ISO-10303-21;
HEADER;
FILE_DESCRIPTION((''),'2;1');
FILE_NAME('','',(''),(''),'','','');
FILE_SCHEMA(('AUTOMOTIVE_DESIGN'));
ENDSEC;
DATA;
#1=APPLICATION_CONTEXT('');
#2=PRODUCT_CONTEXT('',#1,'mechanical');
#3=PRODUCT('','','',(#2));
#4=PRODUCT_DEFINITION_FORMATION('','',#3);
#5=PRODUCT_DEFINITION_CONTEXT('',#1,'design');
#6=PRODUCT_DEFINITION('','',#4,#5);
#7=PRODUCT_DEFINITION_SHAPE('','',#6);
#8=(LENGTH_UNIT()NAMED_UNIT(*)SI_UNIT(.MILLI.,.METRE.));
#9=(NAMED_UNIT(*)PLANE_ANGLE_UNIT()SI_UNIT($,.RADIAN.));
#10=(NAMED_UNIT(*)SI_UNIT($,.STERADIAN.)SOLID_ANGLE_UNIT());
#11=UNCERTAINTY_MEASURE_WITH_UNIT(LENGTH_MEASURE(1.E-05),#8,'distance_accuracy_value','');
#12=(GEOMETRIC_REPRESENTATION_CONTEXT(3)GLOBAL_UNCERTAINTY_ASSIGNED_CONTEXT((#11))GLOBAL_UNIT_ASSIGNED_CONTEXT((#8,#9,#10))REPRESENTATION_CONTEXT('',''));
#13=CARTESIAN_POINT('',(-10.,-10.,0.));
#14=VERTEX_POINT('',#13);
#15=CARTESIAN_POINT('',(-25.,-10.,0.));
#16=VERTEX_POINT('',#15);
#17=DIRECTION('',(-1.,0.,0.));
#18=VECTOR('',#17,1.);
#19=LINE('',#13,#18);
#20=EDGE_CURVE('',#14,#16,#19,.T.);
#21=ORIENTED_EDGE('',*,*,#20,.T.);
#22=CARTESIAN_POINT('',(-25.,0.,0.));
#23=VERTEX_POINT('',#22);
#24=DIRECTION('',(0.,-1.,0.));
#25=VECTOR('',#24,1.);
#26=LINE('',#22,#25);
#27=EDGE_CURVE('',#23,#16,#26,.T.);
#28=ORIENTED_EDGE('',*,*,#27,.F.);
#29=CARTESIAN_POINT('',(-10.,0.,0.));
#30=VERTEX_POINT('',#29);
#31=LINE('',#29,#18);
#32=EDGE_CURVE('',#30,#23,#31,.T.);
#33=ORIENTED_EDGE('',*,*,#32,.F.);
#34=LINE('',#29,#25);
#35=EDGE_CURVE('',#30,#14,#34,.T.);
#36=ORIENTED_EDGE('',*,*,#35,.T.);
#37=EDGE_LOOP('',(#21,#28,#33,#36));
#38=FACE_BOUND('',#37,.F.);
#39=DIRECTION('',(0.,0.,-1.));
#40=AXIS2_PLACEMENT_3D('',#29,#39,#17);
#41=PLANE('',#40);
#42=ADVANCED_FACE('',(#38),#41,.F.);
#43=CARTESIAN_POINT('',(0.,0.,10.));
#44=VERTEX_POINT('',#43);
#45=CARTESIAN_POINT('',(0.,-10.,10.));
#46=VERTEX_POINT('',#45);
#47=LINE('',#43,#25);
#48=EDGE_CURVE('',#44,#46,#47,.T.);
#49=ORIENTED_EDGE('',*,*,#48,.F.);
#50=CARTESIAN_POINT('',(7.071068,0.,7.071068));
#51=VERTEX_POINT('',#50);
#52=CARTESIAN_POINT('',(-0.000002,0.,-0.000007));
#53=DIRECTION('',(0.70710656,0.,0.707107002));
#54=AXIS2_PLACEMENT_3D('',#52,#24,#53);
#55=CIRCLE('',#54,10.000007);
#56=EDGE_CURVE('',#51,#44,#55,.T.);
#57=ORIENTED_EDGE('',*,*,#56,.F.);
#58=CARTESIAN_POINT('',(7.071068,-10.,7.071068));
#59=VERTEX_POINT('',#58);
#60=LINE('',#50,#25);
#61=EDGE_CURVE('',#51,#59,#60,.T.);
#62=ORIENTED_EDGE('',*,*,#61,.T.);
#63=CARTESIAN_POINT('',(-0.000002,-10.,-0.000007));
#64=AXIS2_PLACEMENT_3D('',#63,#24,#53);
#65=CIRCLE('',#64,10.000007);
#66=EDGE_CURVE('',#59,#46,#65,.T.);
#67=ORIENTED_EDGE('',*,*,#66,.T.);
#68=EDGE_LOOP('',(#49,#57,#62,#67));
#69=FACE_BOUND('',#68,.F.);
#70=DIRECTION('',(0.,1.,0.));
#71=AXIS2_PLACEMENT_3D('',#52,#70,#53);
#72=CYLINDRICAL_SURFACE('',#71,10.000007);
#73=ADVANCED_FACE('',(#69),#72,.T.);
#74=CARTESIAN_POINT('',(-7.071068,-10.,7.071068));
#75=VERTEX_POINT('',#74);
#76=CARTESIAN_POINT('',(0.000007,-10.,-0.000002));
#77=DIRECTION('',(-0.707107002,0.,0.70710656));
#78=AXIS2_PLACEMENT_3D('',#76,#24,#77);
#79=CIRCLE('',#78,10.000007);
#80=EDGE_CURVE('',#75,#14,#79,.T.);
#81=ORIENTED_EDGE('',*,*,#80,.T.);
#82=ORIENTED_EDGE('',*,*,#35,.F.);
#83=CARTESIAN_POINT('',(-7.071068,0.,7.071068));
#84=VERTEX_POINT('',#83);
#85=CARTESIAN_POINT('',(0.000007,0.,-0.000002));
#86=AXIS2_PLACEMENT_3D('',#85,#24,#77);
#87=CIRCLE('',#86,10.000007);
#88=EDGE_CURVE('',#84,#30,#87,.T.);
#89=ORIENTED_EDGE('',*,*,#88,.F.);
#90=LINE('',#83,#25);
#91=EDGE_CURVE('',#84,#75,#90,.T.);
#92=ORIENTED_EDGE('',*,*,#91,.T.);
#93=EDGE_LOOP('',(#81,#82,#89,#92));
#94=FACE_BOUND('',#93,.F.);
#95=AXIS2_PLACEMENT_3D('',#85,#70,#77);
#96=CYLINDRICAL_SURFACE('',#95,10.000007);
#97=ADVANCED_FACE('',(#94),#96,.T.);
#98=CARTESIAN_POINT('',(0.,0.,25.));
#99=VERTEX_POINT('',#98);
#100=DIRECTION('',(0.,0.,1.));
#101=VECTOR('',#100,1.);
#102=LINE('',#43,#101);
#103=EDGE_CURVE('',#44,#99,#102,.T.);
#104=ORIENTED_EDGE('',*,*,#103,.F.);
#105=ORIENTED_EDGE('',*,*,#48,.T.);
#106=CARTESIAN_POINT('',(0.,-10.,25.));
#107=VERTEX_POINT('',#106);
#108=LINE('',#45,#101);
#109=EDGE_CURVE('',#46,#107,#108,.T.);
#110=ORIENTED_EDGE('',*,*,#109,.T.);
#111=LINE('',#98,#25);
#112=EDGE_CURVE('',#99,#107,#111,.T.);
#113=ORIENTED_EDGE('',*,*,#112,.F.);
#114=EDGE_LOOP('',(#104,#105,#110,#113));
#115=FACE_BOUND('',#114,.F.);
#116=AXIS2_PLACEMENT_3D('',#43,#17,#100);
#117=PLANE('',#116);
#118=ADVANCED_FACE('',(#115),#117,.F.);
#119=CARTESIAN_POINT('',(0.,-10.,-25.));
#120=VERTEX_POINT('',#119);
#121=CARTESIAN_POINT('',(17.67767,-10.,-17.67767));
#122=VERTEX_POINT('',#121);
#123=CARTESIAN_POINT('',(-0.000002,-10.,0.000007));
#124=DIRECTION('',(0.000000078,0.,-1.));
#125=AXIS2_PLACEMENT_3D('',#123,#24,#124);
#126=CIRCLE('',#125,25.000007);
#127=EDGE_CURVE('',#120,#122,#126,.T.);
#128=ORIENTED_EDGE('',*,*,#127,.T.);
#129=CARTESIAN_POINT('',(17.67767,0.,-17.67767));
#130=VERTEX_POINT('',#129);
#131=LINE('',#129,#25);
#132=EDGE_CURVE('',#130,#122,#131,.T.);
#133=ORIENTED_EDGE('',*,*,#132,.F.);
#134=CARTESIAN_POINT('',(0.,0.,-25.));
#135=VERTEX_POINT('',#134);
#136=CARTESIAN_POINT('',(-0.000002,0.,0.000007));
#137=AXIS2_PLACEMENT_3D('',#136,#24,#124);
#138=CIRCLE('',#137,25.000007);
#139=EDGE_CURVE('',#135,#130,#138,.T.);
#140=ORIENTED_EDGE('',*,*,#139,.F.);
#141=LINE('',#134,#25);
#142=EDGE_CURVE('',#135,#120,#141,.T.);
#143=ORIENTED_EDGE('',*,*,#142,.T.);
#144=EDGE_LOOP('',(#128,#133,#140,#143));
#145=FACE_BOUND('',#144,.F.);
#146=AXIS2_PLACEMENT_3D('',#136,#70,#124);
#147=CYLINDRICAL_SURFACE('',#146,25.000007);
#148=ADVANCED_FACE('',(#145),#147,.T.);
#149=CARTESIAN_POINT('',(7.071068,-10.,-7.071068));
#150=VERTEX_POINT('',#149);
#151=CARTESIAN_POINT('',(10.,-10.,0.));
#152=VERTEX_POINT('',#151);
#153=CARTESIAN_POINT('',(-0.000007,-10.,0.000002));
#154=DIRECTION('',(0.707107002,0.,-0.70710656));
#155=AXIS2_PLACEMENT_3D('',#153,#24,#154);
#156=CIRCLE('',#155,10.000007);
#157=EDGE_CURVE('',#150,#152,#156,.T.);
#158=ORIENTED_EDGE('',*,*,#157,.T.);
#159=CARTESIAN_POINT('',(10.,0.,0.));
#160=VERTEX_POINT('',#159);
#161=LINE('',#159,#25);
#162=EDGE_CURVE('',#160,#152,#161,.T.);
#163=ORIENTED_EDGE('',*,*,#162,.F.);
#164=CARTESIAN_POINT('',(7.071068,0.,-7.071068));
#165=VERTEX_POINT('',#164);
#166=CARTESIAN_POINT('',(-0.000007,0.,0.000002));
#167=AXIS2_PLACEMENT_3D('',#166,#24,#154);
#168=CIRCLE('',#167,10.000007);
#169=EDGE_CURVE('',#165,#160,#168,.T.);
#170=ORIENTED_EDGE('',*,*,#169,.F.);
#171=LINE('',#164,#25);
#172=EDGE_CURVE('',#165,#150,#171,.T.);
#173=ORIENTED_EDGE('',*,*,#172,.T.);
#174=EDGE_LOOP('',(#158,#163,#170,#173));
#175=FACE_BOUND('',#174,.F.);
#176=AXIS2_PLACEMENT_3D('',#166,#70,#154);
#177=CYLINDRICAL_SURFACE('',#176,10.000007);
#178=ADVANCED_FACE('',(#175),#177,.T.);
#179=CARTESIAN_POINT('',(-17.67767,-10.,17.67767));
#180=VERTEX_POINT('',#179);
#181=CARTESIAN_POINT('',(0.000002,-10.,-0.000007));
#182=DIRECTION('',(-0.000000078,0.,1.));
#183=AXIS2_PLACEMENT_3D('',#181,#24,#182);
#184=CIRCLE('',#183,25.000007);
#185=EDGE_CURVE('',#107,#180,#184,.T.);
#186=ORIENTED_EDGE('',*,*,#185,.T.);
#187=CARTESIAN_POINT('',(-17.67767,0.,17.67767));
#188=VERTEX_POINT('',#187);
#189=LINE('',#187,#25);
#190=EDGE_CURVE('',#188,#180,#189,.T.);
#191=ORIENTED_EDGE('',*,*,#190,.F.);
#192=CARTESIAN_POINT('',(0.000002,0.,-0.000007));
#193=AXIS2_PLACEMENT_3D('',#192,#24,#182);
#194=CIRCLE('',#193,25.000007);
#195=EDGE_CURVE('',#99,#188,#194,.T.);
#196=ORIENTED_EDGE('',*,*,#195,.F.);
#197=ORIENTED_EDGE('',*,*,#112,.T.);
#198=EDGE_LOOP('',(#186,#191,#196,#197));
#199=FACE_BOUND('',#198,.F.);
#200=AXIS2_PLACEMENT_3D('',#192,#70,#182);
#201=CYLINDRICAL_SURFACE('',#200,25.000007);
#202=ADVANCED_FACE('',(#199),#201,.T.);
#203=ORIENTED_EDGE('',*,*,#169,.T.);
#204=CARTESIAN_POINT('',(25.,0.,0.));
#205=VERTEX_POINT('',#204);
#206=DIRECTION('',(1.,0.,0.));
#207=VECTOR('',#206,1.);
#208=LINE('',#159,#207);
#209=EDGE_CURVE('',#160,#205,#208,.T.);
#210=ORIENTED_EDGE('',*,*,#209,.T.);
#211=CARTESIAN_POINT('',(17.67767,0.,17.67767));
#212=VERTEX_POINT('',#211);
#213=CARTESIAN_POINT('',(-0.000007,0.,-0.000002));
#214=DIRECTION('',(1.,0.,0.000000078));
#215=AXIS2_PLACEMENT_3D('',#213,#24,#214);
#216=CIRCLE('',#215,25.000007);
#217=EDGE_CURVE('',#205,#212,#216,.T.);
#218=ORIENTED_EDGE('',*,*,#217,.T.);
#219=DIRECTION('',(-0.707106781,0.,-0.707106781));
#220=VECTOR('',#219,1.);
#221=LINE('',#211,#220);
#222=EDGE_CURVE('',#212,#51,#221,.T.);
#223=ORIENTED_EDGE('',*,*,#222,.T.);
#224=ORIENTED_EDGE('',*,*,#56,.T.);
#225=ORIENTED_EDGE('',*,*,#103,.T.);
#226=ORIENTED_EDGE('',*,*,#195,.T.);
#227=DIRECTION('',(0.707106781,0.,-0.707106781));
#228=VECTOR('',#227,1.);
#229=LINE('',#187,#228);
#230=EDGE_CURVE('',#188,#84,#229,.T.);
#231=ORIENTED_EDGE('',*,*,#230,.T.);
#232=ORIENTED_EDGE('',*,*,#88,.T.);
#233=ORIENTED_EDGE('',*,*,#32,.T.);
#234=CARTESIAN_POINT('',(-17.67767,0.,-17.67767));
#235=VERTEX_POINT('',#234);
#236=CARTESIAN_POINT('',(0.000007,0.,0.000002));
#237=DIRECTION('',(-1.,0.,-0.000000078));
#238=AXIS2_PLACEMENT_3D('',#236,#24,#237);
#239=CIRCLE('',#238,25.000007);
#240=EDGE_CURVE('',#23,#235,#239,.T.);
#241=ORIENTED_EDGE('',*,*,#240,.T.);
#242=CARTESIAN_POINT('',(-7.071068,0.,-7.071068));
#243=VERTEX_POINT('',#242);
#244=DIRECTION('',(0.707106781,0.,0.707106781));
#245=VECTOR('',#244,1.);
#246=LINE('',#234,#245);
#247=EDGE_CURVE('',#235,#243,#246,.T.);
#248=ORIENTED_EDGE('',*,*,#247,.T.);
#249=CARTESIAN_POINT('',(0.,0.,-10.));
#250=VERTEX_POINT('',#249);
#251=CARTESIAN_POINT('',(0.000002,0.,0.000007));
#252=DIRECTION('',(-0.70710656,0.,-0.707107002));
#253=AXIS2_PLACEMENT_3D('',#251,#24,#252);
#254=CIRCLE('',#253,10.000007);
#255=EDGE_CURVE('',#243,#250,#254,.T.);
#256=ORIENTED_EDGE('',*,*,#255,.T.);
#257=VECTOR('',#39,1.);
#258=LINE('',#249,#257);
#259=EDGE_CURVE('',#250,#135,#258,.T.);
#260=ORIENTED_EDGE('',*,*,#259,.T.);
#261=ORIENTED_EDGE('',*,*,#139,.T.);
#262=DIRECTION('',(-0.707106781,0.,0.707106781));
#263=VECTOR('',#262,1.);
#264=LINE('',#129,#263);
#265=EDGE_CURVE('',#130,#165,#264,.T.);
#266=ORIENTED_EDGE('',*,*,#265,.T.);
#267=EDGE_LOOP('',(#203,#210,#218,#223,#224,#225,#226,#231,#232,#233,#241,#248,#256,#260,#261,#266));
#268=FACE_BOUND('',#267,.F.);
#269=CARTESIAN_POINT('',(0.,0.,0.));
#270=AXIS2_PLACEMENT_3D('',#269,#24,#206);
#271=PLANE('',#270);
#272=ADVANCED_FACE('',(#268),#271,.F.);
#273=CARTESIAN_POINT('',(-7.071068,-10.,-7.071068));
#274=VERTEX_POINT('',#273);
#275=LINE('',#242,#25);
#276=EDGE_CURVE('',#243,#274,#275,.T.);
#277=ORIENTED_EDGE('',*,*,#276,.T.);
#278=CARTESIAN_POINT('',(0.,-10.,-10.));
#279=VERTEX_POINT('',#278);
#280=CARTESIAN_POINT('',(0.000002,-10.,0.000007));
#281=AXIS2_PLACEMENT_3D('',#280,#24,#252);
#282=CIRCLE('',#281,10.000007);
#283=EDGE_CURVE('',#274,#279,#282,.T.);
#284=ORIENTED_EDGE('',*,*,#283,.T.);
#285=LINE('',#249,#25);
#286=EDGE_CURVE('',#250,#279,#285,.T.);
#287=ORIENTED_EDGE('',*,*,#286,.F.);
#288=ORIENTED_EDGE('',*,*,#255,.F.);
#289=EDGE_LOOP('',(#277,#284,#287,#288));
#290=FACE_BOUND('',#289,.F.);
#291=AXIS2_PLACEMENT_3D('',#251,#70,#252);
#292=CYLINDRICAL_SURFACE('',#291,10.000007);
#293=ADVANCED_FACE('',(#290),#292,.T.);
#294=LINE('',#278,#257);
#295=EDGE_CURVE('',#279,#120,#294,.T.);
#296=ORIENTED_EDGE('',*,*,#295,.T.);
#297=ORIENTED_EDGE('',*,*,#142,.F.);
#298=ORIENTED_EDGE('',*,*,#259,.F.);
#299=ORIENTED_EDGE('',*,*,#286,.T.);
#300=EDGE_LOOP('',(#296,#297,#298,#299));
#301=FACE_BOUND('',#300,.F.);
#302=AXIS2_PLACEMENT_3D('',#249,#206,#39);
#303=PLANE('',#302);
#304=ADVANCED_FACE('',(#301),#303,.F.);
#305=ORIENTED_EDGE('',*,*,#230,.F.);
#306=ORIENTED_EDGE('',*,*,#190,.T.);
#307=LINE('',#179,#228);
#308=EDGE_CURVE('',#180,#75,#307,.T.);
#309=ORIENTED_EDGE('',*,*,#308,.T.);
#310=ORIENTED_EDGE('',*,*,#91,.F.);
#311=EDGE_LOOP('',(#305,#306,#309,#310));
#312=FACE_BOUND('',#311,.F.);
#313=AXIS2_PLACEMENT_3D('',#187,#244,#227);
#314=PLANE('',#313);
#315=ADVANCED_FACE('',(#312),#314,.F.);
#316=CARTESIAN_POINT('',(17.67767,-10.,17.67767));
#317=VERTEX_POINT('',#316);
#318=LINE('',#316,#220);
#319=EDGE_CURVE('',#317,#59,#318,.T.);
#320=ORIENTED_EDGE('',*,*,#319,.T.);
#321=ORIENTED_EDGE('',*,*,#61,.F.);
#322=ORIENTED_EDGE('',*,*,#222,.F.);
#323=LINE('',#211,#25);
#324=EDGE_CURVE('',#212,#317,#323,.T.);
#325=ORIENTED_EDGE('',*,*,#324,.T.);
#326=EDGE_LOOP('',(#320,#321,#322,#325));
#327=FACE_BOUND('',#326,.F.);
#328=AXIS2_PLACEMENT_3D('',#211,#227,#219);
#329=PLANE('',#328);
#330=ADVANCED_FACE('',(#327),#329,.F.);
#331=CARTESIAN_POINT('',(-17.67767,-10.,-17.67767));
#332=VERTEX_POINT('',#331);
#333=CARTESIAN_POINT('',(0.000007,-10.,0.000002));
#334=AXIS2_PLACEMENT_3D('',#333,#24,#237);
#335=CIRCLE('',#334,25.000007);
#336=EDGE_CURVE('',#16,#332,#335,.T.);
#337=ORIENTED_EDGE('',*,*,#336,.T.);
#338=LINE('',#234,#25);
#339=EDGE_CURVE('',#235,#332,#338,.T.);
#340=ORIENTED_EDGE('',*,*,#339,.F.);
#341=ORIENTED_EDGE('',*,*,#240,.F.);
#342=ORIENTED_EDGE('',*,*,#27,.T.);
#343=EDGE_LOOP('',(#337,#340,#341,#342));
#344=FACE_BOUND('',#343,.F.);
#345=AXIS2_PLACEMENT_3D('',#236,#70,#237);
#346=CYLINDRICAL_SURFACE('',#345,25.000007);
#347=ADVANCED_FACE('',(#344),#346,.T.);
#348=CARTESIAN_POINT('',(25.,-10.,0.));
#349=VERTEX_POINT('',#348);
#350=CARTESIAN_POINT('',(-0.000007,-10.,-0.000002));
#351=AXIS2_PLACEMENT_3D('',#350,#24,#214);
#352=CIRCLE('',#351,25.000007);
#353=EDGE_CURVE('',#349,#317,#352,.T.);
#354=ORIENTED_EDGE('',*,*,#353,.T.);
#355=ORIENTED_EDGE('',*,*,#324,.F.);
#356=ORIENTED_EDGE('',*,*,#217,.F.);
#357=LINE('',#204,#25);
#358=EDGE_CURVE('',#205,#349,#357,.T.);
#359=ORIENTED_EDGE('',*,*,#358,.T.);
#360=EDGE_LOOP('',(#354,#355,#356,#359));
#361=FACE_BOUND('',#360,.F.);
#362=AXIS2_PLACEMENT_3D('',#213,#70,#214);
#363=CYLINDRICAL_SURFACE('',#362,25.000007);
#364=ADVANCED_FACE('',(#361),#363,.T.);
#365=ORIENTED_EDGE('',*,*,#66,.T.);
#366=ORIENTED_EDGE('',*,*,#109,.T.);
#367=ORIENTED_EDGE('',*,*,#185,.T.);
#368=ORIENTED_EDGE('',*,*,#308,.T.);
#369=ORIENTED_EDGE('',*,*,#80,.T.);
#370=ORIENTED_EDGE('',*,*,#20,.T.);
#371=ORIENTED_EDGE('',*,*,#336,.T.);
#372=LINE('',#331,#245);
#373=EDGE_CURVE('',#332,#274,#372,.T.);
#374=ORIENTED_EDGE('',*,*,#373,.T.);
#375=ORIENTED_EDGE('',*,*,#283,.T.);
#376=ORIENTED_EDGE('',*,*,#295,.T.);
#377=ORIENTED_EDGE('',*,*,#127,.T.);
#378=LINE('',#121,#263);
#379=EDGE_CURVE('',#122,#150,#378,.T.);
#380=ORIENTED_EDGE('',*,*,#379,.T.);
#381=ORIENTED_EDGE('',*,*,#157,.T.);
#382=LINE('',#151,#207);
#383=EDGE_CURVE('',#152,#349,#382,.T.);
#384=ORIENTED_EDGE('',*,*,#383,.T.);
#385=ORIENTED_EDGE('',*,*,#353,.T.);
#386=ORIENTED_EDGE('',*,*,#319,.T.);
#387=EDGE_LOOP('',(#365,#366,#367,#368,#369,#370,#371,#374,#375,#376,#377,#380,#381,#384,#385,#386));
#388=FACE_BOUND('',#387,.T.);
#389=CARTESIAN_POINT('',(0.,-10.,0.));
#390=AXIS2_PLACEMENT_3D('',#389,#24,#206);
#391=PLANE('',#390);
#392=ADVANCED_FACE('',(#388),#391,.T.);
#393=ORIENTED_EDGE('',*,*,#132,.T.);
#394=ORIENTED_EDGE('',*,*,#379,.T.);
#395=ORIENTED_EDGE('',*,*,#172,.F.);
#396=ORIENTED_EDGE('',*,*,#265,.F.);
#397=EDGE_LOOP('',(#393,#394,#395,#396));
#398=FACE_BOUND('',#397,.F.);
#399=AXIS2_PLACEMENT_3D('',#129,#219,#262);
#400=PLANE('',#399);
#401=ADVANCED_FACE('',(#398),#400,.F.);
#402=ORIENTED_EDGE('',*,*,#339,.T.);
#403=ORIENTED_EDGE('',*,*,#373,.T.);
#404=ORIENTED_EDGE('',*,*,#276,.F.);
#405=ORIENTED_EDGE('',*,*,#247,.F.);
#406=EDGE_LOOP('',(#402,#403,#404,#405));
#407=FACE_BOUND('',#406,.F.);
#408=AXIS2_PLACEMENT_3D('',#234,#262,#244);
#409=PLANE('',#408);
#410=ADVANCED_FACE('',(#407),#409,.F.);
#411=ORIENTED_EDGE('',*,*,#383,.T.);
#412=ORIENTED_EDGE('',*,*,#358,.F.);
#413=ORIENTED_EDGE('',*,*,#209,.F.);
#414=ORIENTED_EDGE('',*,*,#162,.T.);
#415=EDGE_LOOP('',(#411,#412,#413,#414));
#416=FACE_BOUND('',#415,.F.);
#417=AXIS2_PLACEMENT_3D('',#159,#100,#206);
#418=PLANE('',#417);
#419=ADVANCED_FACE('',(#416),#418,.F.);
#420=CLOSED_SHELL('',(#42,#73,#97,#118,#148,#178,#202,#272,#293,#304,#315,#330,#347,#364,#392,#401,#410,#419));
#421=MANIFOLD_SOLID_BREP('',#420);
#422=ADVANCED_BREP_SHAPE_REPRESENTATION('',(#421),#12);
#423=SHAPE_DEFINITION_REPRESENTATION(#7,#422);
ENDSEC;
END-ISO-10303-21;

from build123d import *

# Parameters (mm, degrees)
F1_DEPTH = 10


with BuildPart() as f1:
    # F0 (on Front) → F1 (new body)
    with BuildSketch(Plane.XZ):
        with BuildLine():
            Line((-10, 0), (-25, 0))
            ThreePointArc((-25, 0), (-23.096988, -9.567086), (-17.67767, -17.67767))
            Line((-17.67767, -17.67767), (-7.071068, -7.071068))
            ThreePointArc((-7.071068, -7.071068), (-3.826834, -9.238795), (0, -10))
            Line((0, -10), (0, -25))
            ThreePointArc((0, -25), (9.567086, -23.096988), (17.67767, -17.67767))
            Line((17.67767, -17.67767), (7.071068, -7.071068))
            ThreePointArc((7.071068, -7.071068), (9.238795, -3.826834), (10, 0))
            Line((10, 0), (25, 0))
            ThreePointArc((25, 0), (23.096988, 9.567086), (17.67767, 17.67767))
            Line((17.67767, 17.67767), (7.071068, 7.071068))
            ThreePointArc((7.071068, 7.071068), (3.826834, 9.238795), (0, 10))
            Line((0, 10), (0, 25))
            ThreePointArc((0, 25), (-9.567086, 23.096988), (-17.67767, 17.67767))
            Line((-17.67767, 17.67767), (-7.071068, 7.071068))
            ThreePointArc((-7.071068, 7.071068), (-9.238795, 3.826834), (-10, 0))
        make_face()
    extrude(amount=F1_DEPTH)


solid = f1.part
